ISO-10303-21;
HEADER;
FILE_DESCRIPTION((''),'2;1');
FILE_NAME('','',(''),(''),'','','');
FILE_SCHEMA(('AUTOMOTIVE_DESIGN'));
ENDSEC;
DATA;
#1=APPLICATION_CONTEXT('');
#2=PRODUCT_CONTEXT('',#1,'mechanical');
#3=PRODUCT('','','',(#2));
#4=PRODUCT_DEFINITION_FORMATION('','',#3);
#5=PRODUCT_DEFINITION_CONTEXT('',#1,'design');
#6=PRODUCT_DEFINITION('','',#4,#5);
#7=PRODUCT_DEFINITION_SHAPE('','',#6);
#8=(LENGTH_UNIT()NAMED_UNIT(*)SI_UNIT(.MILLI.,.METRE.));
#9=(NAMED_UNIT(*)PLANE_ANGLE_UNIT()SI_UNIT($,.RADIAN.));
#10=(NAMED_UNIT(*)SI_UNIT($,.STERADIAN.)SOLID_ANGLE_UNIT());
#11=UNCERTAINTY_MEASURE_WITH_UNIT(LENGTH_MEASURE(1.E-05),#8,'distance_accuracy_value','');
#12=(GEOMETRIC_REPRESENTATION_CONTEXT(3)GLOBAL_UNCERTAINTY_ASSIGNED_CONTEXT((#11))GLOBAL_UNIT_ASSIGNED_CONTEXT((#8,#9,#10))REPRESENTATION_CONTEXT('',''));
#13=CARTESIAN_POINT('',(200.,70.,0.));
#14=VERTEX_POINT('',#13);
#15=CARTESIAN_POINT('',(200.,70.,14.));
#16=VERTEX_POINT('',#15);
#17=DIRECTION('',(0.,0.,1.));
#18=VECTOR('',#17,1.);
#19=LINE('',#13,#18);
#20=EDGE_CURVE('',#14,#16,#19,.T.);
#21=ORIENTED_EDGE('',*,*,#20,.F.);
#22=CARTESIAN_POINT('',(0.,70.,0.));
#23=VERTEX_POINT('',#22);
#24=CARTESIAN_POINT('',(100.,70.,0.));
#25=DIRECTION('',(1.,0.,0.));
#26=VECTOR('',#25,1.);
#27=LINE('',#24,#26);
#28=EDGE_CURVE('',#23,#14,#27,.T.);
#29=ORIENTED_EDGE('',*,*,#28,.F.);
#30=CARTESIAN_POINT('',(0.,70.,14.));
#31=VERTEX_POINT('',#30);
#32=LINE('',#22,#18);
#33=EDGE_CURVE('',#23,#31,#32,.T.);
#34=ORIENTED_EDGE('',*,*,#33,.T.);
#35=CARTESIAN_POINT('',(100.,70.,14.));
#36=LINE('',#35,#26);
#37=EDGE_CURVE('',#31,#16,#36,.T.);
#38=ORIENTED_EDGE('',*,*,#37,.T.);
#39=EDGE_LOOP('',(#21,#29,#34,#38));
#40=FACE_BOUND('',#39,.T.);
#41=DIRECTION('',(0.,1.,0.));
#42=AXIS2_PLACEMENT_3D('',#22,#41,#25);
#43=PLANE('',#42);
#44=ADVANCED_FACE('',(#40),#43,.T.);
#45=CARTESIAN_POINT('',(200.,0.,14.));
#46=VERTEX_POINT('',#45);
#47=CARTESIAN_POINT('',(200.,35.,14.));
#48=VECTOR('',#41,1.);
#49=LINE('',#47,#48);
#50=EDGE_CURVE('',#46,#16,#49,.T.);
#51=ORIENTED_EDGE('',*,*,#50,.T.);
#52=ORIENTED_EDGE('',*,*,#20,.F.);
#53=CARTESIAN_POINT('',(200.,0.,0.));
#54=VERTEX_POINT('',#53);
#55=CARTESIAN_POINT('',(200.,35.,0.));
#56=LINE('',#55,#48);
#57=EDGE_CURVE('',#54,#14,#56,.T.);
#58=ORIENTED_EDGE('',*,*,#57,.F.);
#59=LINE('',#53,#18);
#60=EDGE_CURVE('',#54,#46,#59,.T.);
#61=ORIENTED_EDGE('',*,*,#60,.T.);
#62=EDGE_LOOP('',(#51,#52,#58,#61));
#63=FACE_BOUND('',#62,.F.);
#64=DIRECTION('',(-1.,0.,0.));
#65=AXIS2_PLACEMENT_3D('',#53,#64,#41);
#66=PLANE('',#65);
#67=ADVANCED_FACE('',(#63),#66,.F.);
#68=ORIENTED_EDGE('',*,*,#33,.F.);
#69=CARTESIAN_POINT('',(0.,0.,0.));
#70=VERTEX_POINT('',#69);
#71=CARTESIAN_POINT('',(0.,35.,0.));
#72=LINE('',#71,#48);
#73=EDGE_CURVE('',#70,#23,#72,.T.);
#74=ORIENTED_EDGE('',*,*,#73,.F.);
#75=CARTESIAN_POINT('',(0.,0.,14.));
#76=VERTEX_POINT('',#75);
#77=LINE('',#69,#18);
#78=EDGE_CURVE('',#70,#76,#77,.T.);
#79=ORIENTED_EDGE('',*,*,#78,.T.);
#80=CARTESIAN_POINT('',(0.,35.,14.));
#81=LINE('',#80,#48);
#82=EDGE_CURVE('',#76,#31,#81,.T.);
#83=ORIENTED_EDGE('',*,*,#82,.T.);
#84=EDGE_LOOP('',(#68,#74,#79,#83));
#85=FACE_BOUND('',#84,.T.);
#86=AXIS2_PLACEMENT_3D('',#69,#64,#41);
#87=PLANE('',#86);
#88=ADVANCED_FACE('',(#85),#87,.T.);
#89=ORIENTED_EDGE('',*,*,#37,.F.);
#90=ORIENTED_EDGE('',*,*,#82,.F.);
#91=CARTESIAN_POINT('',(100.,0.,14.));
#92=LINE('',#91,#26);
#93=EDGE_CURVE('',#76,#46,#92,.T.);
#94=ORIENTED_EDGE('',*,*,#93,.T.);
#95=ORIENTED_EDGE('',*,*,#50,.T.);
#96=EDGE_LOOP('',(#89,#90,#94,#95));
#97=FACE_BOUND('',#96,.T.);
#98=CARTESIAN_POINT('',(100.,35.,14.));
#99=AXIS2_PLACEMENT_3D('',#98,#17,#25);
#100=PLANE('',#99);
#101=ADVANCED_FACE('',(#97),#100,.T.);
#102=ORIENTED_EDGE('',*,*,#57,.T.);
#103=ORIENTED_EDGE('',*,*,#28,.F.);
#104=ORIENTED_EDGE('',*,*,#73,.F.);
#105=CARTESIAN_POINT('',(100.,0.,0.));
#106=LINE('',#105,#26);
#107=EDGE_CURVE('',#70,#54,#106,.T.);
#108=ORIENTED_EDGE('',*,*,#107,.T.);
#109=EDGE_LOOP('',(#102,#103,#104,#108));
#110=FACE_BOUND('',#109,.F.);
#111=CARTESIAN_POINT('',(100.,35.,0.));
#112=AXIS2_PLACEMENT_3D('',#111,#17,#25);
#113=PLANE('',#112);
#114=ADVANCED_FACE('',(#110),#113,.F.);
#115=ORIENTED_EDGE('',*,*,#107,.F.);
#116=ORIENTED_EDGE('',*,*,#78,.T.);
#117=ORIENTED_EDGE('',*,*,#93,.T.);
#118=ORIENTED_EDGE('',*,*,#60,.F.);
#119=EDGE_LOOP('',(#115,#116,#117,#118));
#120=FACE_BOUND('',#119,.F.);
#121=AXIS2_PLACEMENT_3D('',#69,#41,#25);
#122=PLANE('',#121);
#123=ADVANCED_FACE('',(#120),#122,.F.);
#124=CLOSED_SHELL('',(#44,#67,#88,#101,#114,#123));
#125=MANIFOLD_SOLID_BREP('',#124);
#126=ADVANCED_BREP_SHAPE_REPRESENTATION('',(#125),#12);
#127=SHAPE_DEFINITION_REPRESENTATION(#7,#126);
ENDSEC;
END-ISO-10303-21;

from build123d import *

# Parameters (mm, degrees)
SKETCH_W  = 200
SKETCH_H  = 70
PAD_DEPTH = 14


with BuildPart() as part:
    # Sketch → Pad (new body)
    with BuildSketch(Plane.XY):
        with Locations((100, 35)):
            Rectangle(SKETCH_W, SKETCH_H)
    extrude(amount=PAD_DEPTH)


solid = part.part
